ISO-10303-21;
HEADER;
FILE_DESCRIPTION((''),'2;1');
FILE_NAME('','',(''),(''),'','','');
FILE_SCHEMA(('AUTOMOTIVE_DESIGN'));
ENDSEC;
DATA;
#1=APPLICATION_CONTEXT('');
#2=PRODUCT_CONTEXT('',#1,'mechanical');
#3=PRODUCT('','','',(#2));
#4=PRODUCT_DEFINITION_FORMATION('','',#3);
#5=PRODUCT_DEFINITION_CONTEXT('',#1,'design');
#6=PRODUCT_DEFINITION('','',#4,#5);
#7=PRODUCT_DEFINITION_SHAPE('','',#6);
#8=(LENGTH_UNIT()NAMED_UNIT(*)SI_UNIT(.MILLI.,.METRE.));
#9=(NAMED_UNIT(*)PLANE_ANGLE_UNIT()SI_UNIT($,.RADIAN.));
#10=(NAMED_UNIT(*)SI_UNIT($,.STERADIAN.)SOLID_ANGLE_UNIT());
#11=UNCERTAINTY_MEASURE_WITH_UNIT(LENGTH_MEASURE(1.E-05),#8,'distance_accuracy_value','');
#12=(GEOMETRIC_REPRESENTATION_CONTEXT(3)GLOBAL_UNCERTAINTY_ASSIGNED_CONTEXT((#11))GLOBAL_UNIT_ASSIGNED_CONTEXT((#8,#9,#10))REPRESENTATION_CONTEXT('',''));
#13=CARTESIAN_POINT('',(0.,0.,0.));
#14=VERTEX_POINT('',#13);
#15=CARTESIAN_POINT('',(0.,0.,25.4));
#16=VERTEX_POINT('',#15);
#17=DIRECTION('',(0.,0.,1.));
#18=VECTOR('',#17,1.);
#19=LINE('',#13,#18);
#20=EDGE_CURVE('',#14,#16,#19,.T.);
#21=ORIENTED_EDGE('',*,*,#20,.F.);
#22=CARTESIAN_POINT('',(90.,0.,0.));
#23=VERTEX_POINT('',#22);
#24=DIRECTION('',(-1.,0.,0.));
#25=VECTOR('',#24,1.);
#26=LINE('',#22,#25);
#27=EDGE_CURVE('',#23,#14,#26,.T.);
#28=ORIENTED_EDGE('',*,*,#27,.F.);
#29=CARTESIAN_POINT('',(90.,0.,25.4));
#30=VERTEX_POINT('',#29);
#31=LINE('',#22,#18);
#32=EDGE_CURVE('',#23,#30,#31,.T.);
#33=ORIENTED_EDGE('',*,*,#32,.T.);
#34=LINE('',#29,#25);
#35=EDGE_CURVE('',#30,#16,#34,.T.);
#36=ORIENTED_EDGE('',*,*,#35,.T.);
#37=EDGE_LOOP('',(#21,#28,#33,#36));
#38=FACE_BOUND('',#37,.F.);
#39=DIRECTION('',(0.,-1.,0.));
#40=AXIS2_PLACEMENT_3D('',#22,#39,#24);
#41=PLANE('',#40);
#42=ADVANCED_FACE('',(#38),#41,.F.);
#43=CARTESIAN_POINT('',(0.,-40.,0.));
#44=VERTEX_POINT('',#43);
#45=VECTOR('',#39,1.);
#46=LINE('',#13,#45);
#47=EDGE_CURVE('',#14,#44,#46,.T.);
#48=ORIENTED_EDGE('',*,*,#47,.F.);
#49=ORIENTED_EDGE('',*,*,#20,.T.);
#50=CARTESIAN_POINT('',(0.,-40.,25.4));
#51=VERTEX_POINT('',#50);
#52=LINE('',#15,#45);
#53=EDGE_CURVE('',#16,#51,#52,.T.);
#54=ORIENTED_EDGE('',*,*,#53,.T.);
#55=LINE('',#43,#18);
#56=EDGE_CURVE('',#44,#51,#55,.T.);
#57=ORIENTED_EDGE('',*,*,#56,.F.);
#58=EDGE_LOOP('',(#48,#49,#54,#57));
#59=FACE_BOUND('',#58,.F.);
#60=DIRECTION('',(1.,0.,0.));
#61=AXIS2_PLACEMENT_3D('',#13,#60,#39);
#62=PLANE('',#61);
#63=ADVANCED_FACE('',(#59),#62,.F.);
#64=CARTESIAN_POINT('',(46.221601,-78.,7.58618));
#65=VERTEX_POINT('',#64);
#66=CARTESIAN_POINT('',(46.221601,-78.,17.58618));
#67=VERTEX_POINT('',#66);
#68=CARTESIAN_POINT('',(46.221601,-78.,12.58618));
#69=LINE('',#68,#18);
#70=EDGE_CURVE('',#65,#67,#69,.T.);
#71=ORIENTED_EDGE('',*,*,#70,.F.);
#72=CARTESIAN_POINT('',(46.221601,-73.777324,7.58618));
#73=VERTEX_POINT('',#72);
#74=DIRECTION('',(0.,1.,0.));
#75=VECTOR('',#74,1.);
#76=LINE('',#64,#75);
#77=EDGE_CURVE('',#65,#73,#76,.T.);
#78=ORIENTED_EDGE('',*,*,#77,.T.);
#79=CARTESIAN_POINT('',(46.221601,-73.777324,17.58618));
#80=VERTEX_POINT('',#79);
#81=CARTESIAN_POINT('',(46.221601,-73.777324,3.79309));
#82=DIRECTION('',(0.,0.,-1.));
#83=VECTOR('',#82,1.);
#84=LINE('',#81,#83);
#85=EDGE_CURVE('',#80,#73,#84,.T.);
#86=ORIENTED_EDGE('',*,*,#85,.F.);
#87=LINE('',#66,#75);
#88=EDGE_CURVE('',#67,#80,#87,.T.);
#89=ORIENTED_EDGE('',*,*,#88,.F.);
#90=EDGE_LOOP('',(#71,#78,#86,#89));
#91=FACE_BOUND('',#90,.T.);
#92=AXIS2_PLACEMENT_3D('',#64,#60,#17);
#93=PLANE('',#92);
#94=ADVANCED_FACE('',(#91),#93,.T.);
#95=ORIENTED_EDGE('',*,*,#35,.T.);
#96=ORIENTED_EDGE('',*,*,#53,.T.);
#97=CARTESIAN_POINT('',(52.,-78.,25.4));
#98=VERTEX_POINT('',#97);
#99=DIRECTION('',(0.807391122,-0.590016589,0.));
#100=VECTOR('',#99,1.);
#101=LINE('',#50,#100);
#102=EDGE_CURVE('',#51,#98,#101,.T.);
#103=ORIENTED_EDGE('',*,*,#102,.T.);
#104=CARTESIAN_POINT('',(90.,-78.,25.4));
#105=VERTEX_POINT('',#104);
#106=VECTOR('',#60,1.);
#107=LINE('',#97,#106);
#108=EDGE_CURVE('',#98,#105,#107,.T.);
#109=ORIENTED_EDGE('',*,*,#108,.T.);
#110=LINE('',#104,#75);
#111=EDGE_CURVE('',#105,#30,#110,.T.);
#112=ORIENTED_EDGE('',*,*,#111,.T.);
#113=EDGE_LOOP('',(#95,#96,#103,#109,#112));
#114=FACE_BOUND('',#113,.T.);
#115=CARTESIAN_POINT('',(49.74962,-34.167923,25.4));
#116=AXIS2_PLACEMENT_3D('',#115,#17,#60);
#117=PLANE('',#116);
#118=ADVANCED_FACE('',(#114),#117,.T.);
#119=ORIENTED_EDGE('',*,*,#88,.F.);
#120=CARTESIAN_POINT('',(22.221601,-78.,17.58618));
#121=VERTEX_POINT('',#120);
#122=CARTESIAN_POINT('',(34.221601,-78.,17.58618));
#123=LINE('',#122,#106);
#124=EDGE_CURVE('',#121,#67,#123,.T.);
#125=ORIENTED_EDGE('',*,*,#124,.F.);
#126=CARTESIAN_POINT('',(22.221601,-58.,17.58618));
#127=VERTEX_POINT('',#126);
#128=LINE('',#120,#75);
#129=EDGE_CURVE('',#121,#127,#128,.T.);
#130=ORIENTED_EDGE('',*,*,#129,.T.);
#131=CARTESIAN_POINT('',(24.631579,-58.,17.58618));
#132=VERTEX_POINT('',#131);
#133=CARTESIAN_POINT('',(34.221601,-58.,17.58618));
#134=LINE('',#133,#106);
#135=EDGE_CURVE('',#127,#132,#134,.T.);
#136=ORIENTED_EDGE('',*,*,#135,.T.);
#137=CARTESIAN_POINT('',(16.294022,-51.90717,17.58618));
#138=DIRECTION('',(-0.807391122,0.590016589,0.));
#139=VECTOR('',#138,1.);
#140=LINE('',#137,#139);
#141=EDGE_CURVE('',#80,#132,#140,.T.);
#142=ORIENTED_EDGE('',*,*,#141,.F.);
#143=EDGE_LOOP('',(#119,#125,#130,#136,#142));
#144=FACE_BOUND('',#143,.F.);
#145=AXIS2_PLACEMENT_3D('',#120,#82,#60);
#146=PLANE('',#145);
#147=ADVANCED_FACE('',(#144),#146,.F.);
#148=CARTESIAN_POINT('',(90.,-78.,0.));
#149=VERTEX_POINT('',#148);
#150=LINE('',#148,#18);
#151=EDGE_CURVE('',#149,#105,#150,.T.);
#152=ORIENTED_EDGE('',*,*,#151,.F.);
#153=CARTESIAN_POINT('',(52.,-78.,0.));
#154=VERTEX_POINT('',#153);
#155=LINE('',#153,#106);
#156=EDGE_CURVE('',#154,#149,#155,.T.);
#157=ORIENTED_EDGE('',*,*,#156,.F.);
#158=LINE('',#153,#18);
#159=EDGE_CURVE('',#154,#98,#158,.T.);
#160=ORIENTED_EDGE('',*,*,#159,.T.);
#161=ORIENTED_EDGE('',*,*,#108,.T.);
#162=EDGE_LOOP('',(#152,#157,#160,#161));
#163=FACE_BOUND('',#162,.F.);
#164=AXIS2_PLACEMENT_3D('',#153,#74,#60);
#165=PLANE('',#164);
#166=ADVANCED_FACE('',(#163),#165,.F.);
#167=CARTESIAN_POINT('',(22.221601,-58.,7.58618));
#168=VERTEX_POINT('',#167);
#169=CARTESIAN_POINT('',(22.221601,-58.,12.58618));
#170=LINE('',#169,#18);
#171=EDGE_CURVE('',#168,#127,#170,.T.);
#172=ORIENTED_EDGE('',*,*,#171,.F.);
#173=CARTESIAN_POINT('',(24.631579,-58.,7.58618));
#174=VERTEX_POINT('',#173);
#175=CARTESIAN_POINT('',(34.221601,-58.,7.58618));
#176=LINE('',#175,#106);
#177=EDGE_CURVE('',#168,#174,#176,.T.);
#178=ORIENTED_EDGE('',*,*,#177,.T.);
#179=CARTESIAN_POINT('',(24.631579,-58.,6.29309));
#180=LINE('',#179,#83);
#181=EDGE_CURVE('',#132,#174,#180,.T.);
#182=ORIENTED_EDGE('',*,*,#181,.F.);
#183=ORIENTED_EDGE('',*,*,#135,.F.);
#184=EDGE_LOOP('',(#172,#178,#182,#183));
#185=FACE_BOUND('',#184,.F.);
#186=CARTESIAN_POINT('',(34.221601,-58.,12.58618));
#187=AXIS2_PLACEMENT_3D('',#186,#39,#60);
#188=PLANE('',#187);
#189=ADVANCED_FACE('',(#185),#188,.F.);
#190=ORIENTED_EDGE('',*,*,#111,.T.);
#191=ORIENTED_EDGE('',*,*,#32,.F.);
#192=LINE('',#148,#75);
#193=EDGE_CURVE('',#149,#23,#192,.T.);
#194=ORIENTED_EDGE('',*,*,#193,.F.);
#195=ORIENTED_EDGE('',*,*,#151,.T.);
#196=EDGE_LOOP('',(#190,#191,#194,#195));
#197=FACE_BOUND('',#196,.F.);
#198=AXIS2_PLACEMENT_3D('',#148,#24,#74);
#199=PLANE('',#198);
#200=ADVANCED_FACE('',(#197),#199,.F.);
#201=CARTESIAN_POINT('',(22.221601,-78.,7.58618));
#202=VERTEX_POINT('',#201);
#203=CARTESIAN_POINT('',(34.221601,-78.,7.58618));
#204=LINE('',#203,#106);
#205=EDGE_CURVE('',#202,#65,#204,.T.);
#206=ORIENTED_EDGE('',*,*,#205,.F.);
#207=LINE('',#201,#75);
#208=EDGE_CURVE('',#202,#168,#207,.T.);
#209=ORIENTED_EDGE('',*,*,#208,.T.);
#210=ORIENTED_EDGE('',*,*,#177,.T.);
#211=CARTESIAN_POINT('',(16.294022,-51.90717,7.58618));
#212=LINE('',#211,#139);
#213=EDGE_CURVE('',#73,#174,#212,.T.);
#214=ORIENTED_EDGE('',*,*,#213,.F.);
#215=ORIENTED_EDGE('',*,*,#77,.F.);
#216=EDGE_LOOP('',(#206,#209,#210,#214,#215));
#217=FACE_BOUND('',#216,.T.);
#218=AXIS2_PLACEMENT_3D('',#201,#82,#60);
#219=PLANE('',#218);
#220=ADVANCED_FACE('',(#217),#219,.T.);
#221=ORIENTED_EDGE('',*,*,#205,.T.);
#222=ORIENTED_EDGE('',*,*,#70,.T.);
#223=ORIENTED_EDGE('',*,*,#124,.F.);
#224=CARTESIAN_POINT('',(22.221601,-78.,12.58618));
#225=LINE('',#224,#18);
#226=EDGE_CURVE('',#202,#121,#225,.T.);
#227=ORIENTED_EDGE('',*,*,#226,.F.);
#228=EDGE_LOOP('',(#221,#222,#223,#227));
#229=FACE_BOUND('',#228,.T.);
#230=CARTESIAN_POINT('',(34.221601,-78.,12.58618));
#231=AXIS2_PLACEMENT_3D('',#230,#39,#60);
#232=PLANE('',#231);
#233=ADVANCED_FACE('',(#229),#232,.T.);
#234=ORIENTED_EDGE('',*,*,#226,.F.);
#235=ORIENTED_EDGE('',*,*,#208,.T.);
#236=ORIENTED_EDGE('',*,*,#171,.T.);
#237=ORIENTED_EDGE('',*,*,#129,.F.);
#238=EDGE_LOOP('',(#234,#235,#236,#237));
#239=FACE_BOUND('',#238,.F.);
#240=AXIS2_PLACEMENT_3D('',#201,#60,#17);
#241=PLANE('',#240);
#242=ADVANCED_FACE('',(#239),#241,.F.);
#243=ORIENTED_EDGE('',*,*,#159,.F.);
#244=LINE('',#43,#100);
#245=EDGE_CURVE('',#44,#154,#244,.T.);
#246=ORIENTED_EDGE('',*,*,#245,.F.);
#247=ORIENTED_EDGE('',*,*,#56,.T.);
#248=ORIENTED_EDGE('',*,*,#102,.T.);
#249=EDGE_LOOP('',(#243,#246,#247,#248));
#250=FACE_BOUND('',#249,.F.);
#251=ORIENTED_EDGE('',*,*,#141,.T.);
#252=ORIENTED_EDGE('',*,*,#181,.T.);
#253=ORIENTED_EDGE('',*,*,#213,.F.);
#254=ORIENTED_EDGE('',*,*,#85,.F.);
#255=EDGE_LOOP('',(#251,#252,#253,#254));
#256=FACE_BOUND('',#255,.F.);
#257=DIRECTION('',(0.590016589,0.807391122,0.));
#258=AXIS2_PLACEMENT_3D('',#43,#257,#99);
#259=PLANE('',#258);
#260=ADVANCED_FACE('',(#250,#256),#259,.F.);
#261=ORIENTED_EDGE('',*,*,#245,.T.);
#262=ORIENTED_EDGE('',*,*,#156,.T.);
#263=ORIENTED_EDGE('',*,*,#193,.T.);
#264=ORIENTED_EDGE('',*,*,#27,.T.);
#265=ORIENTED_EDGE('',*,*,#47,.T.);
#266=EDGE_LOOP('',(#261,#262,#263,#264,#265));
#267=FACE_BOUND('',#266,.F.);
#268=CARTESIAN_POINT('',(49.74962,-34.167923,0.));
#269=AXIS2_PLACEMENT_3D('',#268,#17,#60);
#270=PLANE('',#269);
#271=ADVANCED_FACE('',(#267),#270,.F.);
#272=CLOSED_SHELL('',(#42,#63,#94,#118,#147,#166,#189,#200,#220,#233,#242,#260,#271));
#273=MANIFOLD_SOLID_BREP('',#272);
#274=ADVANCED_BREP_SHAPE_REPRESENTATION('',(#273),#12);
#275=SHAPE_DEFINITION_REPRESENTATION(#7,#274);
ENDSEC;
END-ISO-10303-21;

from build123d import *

# Parameters (mm, degrees)
F1_DEPTH = 25.4
F2_W     = 24
F2_H     = 10
F3_DEPTH = 20


with BuildPart() as f1:
    # F0 (on Top) → F1 (new body)
    with BuildSketch(Plane.XY):
        Polygon((90, 0), (0, 0), (0, -40), (52, -78), (90, -78), align=None)
    extrude(amount=F1_DEPTH)

    # F2 (on face) → F3 (join)
    with BuildSketch(Plane.XZ.offset(78)):
        with Locations((34.221601, 12.58618)):
            Rectangle(F2_W, F2_H)
    extrude(amount=-F3_DEPTH)


solid = f1.part
